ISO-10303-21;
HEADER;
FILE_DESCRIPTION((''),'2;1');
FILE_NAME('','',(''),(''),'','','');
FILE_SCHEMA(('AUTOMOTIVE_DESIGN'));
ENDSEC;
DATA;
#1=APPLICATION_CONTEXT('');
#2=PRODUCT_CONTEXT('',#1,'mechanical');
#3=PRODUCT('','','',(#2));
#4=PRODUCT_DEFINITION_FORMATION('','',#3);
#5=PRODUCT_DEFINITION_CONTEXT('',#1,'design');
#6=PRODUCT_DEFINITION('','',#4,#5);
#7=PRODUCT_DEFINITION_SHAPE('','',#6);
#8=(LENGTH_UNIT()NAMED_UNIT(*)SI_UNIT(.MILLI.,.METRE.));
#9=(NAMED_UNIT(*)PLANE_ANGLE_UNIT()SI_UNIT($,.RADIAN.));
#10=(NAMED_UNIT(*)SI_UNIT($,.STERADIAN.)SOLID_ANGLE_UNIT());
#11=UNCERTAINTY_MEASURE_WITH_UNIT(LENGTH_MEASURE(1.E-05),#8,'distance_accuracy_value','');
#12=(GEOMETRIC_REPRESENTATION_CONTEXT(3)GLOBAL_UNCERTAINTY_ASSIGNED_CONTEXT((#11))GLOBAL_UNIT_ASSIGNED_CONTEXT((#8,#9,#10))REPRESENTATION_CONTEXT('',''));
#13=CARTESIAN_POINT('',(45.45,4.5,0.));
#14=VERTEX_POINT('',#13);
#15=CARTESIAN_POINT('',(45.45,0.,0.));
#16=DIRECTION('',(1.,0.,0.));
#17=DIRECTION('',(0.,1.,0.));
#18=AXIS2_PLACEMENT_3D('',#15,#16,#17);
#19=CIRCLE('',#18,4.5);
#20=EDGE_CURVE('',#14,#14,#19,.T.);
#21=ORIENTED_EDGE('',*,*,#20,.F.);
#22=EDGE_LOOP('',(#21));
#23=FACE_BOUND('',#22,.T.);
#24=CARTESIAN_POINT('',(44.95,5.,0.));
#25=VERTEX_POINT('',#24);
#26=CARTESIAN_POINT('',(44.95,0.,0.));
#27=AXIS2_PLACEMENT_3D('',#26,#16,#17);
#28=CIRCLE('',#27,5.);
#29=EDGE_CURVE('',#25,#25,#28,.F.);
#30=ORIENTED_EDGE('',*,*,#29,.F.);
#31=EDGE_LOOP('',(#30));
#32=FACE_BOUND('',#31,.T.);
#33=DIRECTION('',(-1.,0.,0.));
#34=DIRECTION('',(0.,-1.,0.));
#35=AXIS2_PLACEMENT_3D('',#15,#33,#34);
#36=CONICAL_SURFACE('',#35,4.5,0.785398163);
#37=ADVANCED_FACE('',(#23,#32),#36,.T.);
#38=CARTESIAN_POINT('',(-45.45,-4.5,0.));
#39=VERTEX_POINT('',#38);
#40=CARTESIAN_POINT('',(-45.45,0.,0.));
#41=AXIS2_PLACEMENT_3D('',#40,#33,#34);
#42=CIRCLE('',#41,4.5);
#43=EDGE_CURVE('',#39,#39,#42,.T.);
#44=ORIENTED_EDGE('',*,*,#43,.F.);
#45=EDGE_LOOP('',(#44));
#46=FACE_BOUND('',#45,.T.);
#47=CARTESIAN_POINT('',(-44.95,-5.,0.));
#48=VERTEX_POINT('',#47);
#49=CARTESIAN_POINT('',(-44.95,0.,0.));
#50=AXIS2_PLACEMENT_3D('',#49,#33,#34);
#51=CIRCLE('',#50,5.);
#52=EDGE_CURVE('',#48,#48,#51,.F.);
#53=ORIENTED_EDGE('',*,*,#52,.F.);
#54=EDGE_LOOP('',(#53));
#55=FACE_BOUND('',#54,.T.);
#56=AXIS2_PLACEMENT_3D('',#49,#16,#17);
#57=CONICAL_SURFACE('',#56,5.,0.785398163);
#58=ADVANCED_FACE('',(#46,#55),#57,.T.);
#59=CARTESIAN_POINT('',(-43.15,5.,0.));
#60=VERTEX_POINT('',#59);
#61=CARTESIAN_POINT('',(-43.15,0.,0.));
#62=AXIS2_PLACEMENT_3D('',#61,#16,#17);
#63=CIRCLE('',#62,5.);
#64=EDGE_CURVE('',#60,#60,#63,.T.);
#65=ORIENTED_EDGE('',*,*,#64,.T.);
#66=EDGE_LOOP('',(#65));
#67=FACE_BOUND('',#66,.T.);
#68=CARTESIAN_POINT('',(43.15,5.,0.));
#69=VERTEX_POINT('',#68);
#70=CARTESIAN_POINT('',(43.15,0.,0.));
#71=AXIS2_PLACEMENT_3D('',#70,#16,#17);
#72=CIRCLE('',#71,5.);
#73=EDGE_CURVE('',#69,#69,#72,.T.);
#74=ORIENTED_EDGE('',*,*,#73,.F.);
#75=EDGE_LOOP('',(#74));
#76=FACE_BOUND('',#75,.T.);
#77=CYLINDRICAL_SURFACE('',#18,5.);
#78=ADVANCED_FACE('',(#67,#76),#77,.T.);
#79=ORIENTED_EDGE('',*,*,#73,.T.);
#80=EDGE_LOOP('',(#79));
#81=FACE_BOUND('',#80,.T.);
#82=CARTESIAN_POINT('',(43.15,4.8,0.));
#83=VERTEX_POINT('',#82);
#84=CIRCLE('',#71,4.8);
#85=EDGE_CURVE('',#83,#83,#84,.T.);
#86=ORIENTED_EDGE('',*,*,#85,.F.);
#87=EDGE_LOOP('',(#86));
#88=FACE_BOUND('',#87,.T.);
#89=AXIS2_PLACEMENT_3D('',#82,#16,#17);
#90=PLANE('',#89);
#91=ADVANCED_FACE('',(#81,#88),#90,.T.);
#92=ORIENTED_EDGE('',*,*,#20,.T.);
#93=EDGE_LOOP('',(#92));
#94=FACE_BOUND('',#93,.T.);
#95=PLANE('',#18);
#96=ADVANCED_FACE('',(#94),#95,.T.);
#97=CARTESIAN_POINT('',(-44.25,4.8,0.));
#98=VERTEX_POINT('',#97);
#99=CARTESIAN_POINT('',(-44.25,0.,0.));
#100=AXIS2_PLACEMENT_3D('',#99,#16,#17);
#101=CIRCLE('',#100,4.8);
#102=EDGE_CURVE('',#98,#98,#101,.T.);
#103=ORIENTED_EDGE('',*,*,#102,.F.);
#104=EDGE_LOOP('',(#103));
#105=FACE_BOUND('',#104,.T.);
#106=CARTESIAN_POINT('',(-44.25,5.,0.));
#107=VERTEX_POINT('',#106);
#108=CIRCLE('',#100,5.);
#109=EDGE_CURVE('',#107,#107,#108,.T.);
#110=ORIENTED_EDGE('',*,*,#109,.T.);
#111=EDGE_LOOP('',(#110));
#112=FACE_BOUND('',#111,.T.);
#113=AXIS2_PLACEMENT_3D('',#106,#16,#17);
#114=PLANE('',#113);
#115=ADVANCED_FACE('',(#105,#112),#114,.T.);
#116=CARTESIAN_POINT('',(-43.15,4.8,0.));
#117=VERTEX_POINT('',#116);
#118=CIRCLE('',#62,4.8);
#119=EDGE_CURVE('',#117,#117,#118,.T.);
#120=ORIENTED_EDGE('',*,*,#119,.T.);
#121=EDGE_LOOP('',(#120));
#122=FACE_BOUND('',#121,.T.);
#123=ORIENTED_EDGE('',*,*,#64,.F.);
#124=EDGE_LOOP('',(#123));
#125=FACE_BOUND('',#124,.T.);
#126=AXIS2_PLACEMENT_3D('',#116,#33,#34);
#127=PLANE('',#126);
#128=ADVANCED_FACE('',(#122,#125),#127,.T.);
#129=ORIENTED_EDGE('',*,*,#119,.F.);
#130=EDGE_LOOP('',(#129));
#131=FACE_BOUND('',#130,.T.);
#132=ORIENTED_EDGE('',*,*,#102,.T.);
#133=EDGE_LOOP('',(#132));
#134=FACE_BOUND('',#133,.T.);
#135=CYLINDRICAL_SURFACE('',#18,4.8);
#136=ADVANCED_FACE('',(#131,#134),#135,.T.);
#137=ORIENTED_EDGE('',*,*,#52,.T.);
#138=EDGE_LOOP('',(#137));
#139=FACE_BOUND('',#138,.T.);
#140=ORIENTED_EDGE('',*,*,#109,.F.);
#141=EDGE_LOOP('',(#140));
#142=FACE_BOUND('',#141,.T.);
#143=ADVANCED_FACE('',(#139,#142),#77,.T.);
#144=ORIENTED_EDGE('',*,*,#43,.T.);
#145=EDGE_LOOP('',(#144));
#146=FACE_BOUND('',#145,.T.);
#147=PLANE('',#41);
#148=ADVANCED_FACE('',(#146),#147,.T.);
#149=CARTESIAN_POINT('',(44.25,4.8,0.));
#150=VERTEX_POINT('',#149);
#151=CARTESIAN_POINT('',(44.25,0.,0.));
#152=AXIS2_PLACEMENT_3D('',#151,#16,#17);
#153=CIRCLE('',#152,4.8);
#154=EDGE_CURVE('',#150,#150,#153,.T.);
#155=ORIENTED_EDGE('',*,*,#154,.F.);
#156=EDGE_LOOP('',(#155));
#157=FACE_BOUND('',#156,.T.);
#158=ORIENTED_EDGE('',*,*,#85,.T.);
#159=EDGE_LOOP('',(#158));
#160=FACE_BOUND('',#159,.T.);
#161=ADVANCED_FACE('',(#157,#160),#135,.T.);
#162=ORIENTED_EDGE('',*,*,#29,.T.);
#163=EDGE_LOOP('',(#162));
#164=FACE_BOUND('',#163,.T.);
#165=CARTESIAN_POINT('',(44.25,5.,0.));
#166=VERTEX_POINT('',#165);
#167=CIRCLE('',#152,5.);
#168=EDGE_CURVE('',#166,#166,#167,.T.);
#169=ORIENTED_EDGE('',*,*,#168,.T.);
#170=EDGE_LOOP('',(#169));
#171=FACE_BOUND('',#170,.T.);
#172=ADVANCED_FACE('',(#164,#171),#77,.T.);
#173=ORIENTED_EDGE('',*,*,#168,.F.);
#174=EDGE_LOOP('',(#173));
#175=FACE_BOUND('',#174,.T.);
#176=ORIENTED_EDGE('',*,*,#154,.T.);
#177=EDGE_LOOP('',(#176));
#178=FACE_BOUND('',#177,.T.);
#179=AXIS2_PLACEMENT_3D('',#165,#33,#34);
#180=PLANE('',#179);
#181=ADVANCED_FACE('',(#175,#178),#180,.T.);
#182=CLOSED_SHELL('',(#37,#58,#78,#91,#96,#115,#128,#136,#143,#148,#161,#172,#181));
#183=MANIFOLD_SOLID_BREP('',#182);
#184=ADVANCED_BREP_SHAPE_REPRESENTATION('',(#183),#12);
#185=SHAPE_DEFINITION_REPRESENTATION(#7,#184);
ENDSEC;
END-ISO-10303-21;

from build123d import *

# Parameters (mm, degrees)
CHAMFER_1_SIZE = 0.5


with BuildPart() as part:
    # 草图1 → 旋转1 (revolve)
    with BuildSketch(Plane.XY):
        Polygon((45.45, 0), (45.45, 5), (44.25, 5), (44.25, 4.8), (43.15, 4.8), (43.15, 5), (-43.15, 5), (-43.15, 4.8), (-44.25, 4.8), (-44.25, 5), (-45.45, 5), (-45.45, 0), align=None)
    revolve(axis=Axis((45.45, 0, 0), (-1, 0, 0)))

    # 倒角1
    chamfer_1_edges = [part.edges().sort_by_distance(p)[0] for p in [
        (-45.45, -5, 0),
        (45.45, -5, 0),
    ]]
    chamfer(chamfer_1_edges, length=CHAMFER_1_SIZE)


solid = part.part
